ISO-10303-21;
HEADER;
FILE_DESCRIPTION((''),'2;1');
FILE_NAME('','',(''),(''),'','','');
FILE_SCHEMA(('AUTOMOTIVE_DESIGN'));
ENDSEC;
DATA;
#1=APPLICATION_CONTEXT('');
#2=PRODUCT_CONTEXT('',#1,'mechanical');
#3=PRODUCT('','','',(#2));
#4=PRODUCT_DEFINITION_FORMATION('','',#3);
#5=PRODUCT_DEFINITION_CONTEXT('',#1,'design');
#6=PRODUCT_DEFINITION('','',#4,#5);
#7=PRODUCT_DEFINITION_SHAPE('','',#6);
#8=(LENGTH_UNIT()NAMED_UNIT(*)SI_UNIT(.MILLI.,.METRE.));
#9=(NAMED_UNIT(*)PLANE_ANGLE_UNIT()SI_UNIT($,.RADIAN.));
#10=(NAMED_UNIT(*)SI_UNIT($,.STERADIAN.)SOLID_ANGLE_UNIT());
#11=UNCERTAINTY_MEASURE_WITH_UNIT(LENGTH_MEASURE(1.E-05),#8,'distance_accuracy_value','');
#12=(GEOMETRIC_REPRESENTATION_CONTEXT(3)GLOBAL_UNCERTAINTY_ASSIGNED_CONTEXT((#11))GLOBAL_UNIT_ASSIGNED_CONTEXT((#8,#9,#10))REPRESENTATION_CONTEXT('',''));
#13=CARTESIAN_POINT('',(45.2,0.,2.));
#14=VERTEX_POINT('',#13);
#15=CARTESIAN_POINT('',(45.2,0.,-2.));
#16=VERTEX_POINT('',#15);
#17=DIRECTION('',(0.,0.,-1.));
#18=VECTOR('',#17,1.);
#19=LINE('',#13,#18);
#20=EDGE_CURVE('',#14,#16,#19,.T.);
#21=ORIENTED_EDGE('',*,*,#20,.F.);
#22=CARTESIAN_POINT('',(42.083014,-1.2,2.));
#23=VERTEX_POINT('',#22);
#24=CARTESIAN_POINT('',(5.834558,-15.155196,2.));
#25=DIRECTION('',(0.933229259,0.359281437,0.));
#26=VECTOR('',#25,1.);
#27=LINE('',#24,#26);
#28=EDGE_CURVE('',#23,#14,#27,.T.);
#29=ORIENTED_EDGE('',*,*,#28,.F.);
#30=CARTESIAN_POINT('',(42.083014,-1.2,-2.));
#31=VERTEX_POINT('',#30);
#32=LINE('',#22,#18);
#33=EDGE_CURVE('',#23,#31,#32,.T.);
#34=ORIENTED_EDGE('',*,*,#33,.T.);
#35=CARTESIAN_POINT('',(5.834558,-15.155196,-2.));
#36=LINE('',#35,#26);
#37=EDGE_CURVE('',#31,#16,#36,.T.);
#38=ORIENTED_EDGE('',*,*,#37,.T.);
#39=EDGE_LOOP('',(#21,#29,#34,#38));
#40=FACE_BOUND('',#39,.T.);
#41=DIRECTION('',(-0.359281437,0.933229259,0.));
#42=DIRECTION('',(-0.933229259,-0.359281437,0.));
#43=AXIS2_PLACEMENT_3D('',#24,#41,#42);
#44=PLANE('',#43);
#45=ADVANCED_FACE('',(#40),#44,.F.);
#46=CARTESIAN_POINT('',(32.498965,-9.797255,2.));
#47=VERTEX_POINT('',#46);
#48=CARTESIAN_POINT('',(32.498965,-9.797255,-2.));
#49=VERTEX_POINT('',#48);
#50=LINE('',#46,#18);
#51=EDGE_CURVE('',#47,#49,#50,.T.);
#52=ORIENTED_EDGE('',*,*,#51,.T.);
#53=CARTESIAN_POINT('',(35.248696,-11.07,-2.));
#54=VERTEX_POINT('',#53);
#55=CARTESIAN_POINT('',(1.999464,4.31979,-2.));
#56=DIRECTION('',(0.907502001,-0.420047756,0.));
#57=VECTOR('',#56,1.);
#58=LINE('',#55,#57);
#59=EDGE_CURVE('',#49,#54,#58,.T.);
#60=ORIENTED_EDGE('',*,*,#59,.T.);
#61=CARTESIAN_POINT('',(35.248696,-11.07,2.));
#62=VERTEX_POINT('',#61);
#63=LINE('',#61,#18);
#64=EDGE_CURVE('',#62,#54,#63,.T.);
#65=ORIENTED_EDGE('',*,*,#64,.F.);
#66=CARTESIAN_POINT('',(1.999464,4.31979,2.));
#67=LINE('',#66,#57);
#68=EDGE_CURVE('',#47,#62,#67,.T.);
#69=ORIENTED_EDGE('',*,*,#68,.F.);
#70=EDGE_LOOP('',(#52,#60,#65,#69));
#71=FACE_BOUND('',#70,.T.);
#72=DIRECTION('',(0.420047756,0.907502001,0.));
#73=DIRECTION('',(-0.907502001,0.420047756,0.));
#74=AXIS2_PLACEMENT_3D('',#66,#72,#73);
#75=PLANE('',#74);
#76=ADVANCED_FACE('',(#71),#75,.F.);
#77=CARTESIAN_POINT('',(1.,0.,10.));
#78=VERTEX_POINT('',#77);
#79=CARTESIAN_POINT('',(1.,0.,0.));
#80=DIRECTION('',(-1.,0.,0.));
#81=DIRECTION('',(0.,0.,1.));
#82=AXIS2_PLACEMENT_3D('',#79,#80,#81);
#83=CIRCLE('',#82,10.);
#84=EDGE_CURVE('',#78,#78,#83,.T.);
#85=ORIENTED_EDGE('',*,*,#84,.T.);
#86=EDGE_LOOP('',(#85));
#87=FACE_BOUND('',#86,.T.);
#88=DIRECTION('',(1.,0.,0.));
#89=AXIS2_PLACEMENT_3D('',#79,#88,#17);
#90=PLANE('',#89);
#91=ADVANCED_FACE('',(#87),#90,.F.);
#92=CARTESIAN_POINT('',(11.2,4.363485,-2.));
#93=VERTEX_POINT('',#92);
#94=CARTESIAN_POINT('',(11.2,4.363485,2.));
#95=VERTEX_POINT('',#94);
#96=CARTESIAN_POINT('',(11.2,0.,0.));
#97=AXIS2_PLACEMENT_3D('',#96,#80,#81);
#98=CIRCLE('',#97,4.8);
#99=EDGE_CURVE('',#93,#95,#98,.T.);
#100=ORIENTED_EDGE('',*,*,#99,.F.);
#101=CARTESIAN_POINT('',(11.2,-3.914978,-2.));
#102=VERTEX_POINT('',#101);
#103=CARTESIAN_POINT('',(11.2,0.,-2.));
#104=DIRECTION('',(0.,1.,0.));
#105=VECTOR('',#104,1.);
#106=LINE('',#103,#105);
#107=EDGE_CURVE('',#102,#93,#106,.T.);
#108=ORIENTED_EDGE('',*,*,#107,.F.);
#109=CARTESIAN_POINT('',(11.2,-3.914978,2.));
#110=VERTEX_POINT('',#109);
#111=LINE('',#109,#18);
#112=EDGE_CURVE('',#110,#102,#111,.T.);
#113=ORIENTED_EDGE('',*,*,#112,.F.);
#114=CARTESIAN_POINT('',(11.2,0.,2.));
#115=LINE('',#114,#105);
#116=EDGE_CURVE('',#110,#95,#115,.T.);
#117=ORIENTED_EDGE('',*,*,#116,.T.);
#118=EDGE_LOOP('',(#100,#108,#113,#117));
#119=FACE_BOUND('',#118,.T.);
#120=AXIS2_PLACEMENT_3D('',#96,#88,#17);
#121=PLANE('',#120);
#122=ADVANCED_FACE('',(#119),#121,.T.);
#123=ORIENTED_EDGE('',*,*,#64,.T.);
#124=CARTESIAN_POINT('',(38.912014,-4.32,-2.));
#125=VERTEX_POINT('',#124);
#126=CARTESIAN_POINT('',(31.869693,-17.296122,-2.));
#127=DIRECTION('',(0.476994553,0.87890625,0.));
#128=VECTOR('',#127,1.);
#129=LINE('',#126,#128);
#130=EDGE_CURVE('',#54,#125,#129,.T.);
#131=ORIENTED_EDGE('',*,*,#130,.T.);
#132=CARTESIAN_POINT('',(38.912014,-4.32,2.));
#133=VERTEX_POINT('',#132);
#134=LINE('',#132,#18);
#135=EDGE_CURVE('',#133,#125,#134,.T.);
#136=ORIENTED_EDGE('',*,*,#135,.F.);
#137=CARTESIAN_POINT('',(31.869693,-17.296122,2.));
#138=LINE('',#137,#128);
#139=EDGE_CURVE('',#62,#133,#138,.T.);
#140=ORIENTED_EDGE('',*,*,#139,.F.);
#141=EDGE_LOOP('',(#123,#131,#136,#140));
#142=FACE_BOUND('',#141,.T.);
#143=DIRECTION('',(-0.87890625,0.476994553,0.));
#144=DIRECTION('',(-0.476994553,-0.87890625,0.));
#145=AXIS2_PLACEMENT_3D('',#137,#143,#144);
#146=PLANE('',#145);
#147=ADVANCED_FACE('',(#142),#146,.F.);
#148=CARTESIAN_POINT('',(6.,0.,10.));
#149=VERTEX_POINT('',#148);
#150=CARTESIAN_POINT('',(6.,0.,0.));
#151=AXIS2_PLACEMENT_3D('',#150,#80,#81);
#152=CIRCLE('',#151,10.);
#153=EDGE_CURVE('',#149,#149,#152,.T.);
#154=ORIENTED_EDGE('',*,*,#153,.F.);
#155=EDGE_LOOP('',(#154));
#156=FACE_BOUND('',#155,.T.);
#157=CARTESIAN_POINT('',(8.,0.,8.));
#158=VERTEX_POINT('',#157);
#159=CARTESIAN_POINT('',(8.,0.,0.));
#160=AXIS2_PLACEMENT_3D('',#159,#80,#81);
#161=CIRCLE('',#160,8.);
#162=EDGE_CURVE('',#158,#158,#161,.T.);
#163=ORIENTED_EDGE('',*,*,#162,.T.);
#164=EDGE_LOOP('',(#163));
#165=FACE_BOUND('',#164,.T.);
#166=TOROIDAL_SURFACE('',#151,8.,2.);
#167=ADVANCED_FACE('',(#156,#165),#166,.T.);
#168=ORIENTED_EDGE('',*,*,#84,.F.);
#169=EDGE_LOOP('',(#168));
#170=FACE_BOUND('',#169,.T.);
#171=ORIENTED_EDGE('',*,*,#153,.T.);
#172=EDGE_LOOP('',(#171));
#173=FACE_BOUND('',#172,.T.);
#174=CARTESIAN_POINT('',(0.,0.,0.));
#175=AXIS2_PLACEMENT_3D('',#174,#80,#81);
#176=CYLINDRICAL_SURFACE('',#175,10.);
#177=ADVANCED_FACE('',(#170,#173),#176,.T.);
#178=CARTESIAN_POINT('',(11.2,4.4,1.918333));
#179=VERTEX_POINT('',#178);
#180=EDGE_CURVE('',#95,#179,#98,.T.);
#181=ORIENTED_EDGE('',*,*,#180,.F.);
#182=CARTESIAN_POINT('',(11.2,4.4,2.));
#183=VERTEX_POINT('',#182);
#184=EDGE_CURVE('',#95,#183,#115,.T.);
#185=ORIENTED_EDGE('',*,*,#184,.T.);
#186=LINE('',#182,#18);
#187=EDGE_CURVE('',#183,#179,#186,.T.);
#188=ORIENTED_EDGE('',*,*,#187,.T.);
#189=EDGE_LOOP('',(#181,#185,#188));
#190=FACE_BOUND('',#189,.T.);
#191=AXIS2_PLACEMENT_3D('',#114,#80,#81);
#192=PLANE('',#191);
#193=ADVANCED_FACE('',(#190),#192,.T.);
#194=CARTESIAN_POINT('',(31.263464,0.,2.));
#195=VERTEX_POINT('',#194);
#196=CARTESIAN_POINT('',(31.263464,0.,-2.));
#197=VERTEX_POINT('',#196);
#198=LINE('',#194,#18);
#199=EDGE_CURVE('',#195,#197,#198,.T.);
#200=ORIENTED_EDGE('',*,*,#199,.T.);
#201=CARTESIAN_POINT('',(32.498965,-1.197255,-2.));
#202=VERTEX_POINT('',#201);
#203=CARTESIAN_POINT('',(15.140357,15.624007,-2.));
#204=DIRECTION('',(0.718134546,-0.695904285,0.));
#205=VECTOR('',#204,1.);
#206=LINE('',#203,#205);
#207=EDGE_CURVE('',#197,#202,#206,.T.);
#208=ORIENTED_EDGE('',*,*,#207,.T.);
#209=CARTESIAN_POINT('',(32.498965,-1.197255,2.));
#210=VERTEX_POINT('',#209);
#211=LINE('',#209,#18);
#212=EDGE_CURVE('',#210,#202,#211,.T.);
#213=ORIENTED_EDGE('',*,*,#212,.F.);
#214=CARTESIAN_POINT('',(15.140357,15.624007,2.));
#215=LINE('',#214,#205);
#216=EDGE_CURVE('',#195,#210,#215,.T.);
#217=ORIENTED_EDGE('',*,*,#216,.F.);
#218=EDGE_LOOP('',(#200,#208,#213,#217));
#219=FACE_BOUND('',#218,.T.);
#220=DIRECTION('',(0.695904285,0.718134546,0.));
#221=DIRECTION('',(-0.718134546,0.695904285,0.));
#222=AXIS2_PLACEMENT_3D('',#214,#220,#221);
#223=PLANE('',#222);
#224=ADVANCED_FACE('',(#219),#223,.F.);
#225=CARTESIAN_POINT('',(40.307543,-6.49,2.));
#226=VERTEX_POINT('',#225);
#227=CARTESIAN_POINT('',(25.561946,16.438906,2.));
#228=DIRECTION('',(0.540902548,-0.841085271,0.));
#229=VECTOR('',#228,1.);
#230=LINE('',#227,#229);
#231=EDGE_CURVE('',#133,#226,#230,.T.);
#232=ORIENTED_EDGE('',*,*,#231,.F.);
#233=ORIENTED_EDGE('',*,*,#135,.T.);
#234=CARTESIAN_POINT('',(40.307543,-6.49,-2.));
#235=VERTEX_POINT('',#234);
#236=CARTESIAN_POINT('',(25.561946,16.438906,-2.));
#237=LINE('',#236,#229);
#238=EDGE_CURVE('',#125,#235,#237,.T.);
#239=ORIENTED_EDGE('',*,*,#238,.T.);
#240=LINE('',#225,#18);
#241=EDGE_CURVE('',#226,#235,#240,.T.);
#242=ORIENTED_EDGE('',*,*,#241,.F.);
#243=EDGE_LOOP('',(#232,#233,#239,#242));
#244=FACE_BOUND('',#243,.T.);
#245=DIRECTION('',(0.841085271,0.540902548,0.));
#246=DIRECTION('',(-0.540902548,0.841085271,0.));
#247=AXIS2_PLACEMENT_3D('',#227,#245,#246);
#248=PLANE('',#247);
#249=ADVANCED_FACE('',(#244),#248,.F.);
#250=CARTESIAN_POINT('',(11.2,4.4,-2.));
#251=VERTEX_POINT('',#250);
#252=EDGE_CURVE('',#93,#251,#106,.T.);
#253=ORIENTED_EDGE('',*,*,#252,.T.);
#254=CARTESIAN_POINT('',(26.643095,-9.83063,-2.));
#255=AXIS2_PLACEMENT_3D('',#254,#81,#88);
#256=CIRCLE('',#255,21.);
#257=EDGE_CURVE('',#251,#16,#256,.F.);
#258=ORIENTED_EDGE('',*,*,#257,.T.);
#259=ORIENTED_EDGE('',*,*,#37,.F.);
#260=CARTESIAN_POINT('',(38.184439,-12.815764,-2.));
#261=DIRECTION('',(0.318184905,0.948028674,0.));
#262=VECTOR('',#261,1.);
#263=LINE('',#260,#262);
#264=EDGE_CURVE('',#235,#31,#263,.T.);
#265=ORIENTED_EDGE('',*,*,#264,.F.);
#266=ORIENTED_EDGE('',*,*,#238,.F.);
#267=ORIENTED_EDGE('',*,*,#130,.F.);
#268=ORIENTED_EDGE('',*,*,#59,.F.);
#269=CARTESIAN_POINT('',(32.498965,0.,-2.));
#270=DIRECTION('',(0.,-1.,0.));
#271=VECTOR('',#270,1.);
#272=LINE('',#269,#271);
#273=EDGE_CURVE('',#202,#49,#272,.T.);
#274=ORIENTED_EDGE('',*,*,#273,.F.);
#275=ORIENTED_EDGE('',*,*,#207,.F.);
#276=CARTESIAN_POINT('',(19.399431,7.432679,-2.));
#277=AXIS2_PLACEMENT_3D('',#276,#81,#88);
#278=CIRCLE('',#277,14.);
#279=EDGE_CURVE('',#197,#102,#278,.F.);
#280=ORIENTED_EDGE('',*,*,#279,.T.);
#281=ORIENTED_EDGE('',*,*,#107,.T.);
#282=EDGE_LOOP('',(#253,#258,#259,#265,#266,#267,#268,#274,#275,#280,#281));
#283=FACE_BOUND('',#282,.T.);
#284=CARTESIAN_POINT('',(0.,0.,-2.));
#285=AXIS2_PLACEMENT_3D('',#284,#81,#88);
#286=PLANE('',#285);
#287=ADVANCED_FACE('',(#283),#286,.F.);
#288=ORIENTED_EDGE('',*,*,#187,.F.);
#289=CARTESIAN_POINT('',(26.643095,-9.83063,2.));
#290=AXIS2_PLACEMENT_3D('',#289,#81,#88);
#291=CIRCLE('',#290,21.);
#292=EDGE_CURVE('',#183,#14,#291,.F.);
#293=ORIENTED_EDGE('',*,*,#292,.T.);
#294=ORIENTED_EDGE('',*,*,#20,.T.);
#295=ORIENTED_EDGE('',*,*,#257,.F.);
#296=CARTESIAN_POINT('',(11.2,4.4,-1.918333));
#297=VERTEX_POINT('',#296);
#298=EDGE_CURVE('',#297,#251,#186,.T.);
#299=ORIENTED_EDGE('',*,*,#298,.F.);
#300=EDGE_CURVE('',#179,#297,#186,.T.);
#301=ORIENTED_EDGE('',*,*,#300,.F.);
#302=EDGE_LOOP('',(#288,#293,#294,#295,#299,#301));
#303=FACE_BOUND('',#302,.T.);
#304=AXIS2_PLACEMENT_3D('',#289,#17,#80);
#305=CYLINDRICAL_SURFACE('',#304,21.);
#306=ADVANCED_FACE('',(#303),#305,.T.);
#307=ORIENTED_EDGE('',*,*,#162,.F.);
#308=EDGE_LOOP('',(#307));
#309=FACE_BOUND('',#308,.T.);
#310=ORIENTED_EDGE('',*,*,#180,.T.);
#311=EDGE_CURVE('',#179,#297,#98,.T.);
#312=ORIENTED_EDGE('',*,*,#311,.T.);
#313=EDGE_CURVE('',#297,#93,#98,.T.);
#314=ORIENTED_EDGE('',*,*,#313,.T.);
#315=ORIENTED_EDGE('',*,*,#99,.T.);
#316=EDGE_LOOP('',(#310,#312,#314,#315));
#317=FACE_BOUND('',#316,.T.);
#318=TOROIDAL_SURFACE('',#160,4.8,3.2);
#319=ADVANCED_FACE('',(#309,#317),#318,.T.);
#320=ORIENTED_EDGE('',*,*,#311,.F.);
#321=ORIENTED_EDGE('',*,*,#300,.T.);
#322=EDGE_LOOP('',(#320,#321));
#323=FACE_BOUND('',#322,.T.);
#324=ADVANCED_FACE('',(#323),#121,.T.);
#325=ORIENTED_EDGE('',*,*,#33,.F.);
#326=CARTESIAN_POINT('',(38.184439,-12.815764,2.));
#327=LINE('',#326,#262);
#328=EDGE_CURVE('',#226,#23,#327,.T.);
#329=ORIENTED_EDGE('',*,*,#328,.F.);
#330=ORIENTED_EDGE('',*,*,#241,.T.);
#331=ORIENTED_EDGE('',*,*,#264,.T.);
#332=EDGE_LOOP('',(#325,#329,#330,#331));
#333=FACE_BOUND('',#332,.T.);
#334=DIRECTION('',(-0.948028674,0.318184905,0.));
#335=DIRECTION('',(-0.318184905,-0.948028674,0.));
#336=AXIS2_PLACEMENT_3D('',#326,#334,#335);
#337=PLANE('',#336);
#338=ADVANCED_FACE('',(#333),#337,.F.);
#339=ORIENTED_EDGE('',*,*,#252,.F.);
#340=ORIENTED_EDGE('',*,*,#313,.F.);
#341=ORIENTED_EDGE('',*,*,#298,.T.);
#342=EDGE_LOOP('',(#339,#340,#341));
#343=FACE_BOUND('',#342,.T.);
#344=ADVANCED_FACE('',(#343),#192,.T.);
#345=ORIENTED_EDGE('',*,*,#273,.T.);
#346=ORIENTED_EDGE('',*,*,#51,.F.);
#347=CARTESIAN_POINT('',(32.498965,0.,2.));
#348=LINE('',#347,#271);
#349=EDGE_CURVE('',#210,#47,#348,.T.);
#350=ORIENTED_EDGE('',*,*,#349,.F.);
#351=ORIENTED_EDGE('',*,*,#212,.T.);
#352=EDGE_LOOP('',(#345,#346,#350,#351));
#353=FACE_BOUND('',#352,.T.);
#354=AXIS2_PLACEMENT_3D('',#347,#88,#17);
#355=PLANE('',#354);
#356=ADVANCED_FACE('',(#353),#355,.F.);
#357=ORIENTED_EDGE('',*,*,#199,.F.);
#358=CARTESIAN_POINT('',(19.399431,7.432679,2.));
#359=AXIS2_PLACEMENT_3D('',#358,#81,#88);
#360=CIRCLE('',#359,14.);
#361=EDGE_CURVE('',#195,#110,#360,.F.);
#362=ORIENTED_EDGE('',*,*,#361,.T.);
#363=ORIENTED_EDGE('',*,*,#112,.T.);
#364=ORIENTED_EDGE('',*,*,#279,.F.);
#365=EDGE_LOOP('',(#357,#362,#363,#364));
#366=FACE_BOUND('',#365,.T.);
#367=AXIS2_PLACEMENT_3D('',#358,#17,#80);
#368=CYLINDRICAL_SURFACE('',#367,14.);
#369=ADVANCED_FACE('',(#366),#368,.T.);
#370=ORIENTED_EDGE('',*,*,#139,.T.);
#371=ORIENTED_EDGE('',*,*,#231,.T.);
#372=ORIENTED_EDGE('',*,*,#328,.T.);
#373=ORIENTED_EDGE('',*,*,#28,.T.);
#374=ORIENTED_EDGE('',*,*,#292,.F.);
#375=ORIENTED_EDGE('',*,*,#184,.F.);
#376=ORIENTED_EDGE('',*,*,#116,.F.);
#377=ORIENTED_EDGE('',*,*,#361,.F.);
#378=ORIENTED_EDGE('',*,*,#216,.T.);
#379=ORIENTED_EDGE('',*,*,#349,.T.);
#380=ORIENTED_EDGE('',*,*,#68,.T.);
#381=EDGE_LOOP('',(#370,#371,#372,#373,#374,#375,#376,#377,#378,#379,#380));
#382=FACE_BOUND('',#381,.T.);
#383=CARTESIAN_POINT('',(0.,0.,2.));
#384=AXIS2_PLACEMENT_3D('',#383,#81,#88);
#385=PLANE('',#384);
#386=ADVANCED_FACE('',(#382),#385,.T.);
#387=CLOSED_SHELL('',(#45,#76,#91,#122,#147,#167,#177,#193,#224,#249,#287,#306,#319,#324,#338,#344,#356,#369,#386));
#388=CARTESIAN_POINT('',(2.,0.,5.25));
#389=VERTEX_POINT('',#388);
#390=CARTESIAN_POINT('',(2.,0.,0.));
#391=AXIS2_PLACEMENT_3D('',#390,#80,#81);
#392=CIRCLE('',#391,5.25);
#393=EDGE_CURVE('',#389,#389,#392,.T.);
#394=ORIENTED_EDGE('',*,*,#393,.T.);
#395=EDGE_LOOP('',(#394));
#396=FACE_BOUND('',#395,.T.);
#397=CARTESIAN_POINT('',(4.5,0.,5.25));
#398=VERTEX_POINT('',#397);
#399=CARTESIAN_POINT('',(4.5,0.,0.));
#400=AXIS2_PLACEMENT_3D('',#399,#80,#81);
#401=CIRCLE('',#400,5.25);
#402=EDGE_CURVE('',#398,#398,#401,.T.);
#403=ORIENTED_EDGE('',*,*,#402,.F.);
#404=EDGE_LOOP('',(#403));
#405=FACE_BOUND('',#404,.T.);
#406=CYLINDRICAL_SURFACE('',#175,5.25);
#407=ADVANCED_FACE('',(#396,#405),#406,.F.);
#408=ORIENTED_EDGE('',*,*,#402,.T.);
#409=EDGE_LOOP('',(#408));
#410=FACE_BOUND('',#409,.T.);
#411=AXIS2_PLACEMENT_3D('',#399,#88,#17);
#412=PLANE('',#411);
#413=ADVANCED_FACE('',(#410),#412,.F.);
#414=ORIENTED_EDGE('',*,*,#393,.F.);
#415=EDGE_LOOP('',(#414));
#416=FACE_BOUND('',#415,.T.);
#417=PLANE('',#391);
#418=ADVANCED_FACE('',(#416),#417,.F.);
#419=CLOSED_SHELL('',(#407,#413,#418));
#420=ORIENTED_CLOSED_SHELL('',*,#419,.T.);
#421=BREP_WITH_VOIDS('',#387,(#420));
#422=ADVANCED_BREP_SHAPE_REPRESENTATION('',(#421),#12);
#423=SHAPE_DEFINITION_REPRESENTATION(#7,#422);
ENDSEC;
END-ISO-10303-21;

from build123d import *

# Parameters (mm, degrees)
EXTRUDE_2338_DEPTH = 2


with BuildPart() as part:
    # Sketch 227 → Повернуть1 (revolve)
    with BuildSketch(Plane.XY, mode=Mode.PRIVATE) as revolve_1_sk:
        with BuildLine():
            Line((6, 10), (1, 10))
            Line((1, 10), (1, 0))
            Line((1, 0), (2, 0))
            Line((2, 0), (2, 5.25))
            Line((2, 5.25), (4.5, 5.25))
            Line((4.5, 5.25), (4.5, 0))
            Line((4.5, 0), (11.2, 0))
            Line((11.2, 0), (11.2, 4.8))
            ThreePointArc((11.2, 4.8), (10.2627417, 7.0627417), (8, 8))
            ThreePointArc((8, 8), (7.414213562, 9.414213562), (6, 10))
        make_face()
    revolve(revolve_1_sk.sketch.rotate(Axis((0, 0, 0), (1, 0, 0)), 90), axis=Axis((0, 0, 0), (1, 0, 0)))

    # Sketch 1321 → Extrude 2338 (add, symmetric)
    with BuildSketch(Plane.XY):
        with BuildLine():
            ThreePointArc((11.2, 4.4), (29.338267199, 10.995701086), (45.2, 0))
            Line((45.2, 0), (11.2, 0))
            Line((11.2, 0), (11.2, 4.4))
        make_face()
        with BuildLine():
            Line((31.263463773, 0), (11.2, 0))
            Line((11.2, 0), (11.2, -3.914978255))
            ThreePointArc((11.2, -3.914978255), (22.080678837, -6.30816882), (31.263463773, 0))
        make_face()
        Polygon((38.912013935, 0), (35.248695767, 0), (35.248695767, -11.07), (38.912013935, -4.32), align=None)
        Polygon((35.248695767, 0), (31.263463773, 0), (32.498964702, -1.197255299), (32.498964702, -9.797255299), (35.248695767, -11.07), align=None)
        Polygon((42.083014277, -1.2), (42.083014277, 0), (40.307542508, 0), (40.307542508, -6.49), align=None)
        Polygon((40.307542508, 0), (38.912013935, 0), (38.912013935, -4.32), (40.307542508, -6.49), align=None)
        Polygon((42.083014277, -1.2), (45.2, 0), (42.083014277, 0), align=None)
    extrude(amount=EXTRUDE_2338_DEPTH, both=True)


solid = part.part
